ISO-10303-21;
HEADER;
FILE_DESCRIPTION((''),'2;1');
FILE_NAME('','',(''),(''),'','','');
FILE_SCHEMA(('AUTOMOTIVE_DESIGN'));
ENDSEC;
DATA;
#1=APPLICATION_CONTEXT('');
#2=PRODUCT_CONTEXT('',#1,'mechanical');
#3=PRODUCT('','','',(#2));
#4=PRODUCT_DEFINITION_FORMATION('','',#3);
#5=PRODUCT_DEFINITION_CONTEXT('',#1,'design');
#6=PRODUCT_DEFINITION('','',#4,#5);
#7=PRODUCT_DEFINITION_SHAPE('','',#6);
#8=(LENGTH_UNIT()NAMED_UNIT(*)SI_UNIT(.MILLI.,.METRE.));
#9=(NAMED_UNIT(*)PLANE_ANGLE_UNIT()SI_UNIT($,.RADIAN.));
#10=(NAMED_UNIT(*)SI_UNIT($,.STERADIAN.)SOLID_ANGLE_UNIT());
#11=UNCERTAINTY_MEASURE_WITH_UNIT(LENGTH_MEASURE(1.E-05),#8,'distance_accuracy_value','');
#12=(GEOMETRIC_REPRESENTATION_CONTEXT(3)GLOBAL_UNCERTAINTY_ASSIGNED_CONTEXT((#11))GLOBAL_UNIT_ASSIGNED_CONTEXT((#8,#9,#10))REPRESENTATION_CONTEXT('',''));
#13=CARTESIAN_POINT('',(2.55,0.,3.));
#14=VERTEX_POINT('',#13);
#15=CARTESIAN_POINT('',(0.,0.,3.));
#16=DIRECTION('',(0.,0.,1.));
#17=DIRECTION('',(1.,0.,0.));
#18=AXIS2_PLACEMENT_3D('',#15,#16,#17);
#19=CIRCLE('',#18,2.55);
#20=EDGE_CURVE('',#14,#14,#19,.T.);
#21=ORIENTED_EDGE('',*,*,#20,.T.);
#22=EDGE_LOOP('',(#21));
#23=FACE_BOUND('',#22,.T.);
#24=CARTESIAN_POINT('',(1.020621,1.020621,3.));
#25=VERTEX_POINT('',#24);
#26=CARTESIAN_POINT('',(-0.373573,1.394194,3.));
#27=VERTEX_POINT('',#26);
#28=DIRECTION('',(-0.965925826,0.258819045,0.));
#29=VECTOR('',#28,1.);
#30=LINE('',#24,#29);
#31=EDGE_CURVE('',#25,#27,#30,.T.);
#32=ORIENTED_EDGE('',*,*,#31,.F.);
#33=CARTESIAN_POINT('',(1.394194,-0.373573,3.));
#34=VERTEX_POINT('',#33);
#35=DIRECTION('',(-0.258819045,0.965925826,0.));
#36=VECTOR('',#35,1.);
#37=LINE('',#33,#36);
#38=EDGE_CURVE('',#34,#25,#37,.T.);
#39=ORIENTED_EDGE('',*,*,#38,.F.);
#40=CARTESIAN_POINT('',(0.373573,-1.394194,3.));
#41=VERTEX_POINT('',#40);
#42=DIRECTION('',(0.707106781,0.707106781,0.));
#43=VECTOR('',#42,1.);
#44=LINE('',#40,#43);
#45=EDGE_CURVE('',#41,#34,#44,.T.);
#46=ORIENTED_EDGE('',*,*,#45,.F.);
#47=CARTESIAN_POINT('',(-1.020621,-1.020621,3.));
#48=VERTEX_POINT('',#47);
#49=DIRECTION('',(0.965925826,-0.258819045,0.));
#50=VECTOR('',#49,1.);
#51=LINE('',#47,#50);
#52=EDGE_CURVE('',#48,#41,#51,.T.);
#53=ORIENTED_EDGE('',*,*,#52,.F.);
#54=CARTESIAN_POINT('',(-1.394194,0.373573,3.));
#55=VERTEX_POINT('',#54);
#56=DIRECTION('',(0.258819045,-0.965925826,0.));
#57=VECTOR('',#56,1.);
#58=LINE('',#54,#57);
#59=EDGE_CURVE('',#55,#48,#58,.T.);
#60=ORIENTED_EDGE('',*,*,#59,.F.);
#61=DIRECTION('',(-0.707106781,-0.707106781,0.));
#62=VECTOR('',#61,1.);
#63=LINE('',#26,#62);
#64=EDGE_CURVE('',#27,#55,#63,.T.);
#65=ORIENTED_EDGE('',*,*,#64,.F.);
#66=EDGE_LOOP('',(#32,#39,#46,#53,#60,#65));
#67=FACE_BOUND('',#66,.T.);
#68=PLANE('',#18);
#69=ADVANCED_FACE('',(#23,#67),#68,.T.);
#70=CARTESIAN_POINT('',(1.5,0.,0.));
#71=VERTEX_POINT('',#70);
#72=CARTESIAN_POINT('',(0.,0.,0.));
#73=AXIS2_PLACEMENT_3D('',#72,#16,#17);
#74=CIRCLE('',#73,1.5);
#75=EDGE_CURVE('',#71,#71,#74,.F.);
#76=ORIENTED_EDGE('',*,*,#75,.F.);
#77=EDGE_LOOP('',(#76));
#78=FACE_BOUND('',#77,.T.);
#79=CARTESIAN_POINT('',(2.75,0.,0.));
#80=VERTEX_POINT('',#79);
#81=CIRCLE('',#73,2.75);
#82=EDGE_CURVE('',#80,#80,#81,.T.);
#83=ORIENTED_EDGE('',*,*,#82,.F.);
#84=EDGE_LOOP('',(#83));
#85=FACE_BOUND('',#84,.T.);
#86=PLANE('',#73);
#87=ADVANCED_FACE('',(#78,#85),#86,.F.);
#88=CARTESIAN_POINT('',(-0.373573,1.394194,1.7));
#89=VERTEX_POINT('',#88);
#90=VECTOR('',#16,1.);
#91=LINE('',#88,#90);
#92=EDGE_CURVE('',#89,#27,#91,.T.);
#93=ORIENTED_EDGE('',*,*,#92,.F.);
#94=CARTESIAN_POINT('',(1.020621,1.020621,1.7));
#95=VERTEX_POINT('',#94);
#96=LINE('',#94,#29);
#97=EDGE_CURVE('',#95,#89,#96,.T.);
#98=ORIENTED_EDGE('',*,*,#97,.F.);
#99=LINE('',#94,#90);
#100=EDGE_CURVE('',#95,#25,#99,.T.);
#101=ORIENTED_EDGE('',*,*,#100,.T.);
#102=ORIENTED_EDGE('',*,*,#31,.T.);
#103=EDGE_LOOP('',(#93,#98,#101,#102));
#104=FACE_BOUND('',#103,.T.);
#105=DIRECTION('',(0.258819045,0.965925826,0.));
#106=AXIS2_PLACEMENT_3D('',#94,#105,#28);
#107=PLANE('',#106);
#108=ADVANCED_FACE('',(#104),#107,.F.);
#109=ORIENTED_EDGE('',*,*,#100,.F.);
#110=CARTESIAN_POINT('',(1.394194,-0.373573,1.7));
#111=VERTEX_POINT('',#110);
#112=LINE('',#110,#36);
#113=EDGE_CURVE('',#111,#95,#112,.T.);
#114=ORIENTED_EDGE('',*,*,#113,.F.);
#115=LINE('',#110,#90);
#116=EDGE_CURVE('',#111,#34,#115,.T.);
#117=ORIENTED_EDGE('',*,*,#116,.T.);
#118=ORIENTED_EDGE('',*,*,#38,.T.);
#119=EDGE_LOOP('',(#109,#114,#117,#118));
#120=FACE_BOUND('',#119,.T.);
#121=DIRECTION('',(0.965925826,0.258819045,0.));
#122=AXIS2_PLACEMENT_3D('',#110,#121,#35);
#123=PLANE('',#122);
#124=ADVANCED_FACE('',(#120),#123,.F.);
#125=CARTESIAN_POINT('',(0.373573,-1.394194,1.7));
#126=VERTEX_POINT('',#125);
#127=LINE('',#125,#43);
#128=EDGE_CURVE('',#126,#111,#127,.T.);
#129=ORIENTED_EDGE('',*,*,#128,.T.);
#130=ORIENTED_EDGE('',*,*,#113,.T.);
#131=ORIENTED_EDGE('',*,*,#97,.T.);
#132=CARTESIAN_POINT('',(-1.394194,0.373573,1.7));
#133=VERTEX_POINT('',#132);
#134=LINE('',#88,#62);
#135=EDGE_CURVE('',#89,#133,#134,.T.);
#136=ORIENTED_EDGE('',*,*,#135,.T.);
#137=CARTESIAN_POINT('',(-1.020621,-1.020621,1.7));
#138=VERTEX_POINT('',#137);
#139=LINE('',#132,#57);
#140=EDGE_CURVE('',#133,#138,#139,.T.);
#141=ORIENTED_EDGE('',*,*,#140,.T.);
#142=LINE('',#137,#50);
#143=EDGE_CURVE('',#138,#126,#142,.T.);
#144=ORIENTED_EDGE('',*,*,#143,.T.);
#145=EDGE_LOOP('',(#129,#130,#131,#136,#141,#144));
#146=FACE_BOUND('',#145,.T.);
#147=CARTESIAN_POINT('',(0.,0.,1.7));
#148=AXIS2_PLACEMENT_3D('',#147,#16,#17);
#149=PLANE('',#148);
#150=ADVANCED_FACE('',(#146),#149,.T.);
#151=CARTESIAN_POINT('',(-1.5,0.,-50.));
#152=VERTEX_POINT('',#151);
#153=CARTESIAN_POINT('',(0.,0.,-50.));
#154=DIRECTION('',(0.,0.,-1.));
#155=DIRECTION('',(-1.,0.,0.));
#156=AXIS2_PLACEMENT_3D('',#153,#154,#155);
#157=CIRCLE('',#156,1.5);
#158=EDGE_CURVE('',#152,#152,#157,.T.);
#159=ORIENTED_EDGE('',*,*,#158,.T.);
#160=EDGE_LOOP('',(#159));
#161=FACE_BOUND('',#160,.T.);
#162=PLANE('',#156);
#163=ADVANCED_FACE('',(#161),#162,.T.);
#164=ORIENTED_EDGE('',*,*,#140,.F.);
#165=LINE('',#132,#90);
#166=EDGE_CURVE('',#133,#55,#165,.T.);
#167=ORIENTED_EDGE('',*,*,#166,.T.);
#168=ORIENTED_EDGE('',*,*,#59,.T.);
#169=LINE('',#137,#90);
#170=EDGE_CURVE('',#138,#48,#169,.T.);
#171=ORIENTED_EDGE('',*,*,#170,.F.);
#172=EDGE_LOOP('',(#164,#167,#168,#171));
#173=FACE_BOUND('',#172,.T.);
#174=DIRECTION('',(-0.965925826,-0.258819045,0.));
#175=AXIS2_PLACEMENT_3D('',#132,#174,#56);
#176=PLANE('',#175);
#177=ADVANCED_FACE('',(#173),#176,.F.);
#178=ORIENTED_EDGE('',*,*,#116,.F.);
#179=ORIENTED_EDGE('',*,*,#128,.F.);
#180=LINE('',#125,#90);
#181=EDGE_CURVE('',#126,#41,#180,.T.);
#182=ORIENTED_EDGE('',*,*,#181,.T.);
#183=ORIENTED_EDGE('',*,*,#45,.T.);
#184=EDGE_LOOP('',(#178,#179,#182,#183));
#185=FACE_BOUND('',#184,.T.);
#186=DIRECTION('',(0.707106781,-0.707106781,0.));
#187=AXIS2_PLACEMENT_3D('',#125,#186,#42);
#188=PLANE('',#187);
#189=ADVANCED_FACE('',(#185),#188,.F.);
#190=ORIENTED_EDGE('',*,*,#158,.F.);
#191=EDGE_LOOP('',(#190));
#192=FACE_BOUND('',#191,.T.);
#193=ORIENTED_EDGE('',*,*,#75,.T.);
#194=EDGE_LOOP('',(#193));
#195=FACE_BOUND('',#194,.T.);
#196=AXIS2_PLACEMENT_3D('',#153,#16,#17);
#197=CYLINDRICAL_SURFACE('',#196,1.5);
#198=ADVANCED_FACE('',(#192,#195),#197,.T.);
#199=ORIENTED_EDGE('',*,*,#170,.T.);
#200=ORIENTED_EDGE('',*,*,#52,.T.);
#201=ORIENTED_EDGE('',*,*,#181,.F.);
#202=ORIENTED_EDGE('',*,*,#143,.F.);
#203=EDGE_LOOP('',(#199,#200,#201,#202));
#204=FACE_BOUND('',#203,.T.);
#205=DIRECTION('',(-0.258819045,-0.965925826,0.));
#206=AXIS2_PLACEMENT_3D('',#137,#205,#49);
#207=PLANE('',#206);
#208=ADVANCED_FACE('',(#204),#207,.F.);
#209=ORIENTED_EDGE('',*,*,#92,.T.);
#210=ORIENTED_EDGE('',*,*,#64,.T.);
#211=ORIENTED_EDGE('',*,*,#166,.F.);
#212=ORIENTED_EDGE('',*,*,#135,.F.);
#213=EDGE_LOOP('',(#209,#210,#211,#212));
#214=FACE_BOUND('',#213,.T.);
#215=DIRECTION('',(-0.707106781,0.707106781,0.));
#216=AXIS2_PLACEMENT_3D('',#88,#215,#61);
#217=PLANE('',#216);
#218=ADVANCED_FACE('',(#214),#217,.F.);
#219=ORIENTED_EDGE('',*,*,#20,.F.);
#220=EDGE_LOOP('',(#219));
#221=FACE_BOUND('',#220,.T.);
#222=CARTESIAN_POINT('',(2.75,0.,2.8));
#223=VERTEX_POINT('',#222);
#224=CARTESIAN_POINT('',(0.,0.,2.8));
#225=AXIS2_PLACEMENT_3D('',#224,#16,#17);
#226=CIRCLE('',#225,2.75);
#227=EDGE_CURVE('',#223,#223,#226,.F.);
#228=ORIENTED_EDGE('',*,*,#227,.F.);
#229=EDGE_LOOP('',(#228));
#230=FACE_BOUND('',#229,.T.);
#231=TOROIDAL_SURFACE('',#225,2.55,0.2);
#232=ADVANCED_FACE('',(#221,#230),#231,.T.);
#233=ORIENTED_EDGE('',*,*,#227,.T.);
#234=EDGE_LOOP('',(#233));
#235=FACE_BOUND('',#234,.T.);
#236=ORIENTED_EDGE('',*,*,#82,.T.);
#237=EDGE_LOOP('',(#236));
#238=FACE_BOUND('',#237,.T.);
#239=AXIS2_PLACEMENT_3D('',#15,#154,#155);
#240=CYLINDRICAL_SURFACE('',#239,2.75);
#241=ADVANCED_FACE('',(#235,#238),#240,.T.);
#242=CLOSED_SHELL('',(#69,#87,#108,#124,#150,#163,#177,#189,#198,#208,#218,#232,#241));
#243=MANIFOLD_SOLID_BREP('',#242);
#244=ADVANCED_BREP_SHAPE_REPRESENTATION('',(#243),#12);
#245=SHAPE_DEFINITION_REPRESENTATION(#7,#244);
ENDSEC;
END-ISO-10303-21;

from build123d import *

# Parameters (mm, degrees)
SKETCH_1_R          = 2.75
EXTRUDE_1_DEPTH     = 3
CUT_EXTRUDE_1_DEPTH = 1.3
SKETCH_3_R          = 1.5
EXTRUDE_2_DEPTH     = 50
FILLET_1_R          = 0.2


with BuildPart() as part:
    # 草图1 → 凸台-拉伸1 (new body)
    with BuildSketch(Plane.XY):
        Circle(SKETCH_1_R)
    extrude(amount=EXTRUDE_1_DEPTH)

    # 草图2 → 切除-拉伸1 (cut)
    with BuildSketch(Plane.XY.offset(3)):
        Polygon((-1.020620726, -1.020620726), (0.373573113, -1.39419384), (1.39419384, -0.373573113), (1.020620726, 1.020620726), (-0.373573113, 1.39419384), (-1.39419384, 0.373573113), align=None)
    extrude(amount=-CUT_EXTRUDE_1_DEPTH, mode=Mode.SUBTRACT)

    # 草图3 → 凸台-拉伸2 (add)
    with BuildSketch(Plane(origin=(0, 0, 0), x_dir=(-1, 0, 0), z_dir=(0, 0, -1))):
        with Locations(Location((0, 0, 0), (0, 0, 180))):
            Circle(SKETCH_3_R)
    extrude(amount=EXTRUDE_2_DEPTH)

    # 圆角1
    fillet_1_edges = [part.edges().sort_by_distance(p)[0] for p in [
        (-2.75, 0, 3),
    ]]
    fillet(fillet_1_edges, radius=FILLET_1_R)


solid = part.part
